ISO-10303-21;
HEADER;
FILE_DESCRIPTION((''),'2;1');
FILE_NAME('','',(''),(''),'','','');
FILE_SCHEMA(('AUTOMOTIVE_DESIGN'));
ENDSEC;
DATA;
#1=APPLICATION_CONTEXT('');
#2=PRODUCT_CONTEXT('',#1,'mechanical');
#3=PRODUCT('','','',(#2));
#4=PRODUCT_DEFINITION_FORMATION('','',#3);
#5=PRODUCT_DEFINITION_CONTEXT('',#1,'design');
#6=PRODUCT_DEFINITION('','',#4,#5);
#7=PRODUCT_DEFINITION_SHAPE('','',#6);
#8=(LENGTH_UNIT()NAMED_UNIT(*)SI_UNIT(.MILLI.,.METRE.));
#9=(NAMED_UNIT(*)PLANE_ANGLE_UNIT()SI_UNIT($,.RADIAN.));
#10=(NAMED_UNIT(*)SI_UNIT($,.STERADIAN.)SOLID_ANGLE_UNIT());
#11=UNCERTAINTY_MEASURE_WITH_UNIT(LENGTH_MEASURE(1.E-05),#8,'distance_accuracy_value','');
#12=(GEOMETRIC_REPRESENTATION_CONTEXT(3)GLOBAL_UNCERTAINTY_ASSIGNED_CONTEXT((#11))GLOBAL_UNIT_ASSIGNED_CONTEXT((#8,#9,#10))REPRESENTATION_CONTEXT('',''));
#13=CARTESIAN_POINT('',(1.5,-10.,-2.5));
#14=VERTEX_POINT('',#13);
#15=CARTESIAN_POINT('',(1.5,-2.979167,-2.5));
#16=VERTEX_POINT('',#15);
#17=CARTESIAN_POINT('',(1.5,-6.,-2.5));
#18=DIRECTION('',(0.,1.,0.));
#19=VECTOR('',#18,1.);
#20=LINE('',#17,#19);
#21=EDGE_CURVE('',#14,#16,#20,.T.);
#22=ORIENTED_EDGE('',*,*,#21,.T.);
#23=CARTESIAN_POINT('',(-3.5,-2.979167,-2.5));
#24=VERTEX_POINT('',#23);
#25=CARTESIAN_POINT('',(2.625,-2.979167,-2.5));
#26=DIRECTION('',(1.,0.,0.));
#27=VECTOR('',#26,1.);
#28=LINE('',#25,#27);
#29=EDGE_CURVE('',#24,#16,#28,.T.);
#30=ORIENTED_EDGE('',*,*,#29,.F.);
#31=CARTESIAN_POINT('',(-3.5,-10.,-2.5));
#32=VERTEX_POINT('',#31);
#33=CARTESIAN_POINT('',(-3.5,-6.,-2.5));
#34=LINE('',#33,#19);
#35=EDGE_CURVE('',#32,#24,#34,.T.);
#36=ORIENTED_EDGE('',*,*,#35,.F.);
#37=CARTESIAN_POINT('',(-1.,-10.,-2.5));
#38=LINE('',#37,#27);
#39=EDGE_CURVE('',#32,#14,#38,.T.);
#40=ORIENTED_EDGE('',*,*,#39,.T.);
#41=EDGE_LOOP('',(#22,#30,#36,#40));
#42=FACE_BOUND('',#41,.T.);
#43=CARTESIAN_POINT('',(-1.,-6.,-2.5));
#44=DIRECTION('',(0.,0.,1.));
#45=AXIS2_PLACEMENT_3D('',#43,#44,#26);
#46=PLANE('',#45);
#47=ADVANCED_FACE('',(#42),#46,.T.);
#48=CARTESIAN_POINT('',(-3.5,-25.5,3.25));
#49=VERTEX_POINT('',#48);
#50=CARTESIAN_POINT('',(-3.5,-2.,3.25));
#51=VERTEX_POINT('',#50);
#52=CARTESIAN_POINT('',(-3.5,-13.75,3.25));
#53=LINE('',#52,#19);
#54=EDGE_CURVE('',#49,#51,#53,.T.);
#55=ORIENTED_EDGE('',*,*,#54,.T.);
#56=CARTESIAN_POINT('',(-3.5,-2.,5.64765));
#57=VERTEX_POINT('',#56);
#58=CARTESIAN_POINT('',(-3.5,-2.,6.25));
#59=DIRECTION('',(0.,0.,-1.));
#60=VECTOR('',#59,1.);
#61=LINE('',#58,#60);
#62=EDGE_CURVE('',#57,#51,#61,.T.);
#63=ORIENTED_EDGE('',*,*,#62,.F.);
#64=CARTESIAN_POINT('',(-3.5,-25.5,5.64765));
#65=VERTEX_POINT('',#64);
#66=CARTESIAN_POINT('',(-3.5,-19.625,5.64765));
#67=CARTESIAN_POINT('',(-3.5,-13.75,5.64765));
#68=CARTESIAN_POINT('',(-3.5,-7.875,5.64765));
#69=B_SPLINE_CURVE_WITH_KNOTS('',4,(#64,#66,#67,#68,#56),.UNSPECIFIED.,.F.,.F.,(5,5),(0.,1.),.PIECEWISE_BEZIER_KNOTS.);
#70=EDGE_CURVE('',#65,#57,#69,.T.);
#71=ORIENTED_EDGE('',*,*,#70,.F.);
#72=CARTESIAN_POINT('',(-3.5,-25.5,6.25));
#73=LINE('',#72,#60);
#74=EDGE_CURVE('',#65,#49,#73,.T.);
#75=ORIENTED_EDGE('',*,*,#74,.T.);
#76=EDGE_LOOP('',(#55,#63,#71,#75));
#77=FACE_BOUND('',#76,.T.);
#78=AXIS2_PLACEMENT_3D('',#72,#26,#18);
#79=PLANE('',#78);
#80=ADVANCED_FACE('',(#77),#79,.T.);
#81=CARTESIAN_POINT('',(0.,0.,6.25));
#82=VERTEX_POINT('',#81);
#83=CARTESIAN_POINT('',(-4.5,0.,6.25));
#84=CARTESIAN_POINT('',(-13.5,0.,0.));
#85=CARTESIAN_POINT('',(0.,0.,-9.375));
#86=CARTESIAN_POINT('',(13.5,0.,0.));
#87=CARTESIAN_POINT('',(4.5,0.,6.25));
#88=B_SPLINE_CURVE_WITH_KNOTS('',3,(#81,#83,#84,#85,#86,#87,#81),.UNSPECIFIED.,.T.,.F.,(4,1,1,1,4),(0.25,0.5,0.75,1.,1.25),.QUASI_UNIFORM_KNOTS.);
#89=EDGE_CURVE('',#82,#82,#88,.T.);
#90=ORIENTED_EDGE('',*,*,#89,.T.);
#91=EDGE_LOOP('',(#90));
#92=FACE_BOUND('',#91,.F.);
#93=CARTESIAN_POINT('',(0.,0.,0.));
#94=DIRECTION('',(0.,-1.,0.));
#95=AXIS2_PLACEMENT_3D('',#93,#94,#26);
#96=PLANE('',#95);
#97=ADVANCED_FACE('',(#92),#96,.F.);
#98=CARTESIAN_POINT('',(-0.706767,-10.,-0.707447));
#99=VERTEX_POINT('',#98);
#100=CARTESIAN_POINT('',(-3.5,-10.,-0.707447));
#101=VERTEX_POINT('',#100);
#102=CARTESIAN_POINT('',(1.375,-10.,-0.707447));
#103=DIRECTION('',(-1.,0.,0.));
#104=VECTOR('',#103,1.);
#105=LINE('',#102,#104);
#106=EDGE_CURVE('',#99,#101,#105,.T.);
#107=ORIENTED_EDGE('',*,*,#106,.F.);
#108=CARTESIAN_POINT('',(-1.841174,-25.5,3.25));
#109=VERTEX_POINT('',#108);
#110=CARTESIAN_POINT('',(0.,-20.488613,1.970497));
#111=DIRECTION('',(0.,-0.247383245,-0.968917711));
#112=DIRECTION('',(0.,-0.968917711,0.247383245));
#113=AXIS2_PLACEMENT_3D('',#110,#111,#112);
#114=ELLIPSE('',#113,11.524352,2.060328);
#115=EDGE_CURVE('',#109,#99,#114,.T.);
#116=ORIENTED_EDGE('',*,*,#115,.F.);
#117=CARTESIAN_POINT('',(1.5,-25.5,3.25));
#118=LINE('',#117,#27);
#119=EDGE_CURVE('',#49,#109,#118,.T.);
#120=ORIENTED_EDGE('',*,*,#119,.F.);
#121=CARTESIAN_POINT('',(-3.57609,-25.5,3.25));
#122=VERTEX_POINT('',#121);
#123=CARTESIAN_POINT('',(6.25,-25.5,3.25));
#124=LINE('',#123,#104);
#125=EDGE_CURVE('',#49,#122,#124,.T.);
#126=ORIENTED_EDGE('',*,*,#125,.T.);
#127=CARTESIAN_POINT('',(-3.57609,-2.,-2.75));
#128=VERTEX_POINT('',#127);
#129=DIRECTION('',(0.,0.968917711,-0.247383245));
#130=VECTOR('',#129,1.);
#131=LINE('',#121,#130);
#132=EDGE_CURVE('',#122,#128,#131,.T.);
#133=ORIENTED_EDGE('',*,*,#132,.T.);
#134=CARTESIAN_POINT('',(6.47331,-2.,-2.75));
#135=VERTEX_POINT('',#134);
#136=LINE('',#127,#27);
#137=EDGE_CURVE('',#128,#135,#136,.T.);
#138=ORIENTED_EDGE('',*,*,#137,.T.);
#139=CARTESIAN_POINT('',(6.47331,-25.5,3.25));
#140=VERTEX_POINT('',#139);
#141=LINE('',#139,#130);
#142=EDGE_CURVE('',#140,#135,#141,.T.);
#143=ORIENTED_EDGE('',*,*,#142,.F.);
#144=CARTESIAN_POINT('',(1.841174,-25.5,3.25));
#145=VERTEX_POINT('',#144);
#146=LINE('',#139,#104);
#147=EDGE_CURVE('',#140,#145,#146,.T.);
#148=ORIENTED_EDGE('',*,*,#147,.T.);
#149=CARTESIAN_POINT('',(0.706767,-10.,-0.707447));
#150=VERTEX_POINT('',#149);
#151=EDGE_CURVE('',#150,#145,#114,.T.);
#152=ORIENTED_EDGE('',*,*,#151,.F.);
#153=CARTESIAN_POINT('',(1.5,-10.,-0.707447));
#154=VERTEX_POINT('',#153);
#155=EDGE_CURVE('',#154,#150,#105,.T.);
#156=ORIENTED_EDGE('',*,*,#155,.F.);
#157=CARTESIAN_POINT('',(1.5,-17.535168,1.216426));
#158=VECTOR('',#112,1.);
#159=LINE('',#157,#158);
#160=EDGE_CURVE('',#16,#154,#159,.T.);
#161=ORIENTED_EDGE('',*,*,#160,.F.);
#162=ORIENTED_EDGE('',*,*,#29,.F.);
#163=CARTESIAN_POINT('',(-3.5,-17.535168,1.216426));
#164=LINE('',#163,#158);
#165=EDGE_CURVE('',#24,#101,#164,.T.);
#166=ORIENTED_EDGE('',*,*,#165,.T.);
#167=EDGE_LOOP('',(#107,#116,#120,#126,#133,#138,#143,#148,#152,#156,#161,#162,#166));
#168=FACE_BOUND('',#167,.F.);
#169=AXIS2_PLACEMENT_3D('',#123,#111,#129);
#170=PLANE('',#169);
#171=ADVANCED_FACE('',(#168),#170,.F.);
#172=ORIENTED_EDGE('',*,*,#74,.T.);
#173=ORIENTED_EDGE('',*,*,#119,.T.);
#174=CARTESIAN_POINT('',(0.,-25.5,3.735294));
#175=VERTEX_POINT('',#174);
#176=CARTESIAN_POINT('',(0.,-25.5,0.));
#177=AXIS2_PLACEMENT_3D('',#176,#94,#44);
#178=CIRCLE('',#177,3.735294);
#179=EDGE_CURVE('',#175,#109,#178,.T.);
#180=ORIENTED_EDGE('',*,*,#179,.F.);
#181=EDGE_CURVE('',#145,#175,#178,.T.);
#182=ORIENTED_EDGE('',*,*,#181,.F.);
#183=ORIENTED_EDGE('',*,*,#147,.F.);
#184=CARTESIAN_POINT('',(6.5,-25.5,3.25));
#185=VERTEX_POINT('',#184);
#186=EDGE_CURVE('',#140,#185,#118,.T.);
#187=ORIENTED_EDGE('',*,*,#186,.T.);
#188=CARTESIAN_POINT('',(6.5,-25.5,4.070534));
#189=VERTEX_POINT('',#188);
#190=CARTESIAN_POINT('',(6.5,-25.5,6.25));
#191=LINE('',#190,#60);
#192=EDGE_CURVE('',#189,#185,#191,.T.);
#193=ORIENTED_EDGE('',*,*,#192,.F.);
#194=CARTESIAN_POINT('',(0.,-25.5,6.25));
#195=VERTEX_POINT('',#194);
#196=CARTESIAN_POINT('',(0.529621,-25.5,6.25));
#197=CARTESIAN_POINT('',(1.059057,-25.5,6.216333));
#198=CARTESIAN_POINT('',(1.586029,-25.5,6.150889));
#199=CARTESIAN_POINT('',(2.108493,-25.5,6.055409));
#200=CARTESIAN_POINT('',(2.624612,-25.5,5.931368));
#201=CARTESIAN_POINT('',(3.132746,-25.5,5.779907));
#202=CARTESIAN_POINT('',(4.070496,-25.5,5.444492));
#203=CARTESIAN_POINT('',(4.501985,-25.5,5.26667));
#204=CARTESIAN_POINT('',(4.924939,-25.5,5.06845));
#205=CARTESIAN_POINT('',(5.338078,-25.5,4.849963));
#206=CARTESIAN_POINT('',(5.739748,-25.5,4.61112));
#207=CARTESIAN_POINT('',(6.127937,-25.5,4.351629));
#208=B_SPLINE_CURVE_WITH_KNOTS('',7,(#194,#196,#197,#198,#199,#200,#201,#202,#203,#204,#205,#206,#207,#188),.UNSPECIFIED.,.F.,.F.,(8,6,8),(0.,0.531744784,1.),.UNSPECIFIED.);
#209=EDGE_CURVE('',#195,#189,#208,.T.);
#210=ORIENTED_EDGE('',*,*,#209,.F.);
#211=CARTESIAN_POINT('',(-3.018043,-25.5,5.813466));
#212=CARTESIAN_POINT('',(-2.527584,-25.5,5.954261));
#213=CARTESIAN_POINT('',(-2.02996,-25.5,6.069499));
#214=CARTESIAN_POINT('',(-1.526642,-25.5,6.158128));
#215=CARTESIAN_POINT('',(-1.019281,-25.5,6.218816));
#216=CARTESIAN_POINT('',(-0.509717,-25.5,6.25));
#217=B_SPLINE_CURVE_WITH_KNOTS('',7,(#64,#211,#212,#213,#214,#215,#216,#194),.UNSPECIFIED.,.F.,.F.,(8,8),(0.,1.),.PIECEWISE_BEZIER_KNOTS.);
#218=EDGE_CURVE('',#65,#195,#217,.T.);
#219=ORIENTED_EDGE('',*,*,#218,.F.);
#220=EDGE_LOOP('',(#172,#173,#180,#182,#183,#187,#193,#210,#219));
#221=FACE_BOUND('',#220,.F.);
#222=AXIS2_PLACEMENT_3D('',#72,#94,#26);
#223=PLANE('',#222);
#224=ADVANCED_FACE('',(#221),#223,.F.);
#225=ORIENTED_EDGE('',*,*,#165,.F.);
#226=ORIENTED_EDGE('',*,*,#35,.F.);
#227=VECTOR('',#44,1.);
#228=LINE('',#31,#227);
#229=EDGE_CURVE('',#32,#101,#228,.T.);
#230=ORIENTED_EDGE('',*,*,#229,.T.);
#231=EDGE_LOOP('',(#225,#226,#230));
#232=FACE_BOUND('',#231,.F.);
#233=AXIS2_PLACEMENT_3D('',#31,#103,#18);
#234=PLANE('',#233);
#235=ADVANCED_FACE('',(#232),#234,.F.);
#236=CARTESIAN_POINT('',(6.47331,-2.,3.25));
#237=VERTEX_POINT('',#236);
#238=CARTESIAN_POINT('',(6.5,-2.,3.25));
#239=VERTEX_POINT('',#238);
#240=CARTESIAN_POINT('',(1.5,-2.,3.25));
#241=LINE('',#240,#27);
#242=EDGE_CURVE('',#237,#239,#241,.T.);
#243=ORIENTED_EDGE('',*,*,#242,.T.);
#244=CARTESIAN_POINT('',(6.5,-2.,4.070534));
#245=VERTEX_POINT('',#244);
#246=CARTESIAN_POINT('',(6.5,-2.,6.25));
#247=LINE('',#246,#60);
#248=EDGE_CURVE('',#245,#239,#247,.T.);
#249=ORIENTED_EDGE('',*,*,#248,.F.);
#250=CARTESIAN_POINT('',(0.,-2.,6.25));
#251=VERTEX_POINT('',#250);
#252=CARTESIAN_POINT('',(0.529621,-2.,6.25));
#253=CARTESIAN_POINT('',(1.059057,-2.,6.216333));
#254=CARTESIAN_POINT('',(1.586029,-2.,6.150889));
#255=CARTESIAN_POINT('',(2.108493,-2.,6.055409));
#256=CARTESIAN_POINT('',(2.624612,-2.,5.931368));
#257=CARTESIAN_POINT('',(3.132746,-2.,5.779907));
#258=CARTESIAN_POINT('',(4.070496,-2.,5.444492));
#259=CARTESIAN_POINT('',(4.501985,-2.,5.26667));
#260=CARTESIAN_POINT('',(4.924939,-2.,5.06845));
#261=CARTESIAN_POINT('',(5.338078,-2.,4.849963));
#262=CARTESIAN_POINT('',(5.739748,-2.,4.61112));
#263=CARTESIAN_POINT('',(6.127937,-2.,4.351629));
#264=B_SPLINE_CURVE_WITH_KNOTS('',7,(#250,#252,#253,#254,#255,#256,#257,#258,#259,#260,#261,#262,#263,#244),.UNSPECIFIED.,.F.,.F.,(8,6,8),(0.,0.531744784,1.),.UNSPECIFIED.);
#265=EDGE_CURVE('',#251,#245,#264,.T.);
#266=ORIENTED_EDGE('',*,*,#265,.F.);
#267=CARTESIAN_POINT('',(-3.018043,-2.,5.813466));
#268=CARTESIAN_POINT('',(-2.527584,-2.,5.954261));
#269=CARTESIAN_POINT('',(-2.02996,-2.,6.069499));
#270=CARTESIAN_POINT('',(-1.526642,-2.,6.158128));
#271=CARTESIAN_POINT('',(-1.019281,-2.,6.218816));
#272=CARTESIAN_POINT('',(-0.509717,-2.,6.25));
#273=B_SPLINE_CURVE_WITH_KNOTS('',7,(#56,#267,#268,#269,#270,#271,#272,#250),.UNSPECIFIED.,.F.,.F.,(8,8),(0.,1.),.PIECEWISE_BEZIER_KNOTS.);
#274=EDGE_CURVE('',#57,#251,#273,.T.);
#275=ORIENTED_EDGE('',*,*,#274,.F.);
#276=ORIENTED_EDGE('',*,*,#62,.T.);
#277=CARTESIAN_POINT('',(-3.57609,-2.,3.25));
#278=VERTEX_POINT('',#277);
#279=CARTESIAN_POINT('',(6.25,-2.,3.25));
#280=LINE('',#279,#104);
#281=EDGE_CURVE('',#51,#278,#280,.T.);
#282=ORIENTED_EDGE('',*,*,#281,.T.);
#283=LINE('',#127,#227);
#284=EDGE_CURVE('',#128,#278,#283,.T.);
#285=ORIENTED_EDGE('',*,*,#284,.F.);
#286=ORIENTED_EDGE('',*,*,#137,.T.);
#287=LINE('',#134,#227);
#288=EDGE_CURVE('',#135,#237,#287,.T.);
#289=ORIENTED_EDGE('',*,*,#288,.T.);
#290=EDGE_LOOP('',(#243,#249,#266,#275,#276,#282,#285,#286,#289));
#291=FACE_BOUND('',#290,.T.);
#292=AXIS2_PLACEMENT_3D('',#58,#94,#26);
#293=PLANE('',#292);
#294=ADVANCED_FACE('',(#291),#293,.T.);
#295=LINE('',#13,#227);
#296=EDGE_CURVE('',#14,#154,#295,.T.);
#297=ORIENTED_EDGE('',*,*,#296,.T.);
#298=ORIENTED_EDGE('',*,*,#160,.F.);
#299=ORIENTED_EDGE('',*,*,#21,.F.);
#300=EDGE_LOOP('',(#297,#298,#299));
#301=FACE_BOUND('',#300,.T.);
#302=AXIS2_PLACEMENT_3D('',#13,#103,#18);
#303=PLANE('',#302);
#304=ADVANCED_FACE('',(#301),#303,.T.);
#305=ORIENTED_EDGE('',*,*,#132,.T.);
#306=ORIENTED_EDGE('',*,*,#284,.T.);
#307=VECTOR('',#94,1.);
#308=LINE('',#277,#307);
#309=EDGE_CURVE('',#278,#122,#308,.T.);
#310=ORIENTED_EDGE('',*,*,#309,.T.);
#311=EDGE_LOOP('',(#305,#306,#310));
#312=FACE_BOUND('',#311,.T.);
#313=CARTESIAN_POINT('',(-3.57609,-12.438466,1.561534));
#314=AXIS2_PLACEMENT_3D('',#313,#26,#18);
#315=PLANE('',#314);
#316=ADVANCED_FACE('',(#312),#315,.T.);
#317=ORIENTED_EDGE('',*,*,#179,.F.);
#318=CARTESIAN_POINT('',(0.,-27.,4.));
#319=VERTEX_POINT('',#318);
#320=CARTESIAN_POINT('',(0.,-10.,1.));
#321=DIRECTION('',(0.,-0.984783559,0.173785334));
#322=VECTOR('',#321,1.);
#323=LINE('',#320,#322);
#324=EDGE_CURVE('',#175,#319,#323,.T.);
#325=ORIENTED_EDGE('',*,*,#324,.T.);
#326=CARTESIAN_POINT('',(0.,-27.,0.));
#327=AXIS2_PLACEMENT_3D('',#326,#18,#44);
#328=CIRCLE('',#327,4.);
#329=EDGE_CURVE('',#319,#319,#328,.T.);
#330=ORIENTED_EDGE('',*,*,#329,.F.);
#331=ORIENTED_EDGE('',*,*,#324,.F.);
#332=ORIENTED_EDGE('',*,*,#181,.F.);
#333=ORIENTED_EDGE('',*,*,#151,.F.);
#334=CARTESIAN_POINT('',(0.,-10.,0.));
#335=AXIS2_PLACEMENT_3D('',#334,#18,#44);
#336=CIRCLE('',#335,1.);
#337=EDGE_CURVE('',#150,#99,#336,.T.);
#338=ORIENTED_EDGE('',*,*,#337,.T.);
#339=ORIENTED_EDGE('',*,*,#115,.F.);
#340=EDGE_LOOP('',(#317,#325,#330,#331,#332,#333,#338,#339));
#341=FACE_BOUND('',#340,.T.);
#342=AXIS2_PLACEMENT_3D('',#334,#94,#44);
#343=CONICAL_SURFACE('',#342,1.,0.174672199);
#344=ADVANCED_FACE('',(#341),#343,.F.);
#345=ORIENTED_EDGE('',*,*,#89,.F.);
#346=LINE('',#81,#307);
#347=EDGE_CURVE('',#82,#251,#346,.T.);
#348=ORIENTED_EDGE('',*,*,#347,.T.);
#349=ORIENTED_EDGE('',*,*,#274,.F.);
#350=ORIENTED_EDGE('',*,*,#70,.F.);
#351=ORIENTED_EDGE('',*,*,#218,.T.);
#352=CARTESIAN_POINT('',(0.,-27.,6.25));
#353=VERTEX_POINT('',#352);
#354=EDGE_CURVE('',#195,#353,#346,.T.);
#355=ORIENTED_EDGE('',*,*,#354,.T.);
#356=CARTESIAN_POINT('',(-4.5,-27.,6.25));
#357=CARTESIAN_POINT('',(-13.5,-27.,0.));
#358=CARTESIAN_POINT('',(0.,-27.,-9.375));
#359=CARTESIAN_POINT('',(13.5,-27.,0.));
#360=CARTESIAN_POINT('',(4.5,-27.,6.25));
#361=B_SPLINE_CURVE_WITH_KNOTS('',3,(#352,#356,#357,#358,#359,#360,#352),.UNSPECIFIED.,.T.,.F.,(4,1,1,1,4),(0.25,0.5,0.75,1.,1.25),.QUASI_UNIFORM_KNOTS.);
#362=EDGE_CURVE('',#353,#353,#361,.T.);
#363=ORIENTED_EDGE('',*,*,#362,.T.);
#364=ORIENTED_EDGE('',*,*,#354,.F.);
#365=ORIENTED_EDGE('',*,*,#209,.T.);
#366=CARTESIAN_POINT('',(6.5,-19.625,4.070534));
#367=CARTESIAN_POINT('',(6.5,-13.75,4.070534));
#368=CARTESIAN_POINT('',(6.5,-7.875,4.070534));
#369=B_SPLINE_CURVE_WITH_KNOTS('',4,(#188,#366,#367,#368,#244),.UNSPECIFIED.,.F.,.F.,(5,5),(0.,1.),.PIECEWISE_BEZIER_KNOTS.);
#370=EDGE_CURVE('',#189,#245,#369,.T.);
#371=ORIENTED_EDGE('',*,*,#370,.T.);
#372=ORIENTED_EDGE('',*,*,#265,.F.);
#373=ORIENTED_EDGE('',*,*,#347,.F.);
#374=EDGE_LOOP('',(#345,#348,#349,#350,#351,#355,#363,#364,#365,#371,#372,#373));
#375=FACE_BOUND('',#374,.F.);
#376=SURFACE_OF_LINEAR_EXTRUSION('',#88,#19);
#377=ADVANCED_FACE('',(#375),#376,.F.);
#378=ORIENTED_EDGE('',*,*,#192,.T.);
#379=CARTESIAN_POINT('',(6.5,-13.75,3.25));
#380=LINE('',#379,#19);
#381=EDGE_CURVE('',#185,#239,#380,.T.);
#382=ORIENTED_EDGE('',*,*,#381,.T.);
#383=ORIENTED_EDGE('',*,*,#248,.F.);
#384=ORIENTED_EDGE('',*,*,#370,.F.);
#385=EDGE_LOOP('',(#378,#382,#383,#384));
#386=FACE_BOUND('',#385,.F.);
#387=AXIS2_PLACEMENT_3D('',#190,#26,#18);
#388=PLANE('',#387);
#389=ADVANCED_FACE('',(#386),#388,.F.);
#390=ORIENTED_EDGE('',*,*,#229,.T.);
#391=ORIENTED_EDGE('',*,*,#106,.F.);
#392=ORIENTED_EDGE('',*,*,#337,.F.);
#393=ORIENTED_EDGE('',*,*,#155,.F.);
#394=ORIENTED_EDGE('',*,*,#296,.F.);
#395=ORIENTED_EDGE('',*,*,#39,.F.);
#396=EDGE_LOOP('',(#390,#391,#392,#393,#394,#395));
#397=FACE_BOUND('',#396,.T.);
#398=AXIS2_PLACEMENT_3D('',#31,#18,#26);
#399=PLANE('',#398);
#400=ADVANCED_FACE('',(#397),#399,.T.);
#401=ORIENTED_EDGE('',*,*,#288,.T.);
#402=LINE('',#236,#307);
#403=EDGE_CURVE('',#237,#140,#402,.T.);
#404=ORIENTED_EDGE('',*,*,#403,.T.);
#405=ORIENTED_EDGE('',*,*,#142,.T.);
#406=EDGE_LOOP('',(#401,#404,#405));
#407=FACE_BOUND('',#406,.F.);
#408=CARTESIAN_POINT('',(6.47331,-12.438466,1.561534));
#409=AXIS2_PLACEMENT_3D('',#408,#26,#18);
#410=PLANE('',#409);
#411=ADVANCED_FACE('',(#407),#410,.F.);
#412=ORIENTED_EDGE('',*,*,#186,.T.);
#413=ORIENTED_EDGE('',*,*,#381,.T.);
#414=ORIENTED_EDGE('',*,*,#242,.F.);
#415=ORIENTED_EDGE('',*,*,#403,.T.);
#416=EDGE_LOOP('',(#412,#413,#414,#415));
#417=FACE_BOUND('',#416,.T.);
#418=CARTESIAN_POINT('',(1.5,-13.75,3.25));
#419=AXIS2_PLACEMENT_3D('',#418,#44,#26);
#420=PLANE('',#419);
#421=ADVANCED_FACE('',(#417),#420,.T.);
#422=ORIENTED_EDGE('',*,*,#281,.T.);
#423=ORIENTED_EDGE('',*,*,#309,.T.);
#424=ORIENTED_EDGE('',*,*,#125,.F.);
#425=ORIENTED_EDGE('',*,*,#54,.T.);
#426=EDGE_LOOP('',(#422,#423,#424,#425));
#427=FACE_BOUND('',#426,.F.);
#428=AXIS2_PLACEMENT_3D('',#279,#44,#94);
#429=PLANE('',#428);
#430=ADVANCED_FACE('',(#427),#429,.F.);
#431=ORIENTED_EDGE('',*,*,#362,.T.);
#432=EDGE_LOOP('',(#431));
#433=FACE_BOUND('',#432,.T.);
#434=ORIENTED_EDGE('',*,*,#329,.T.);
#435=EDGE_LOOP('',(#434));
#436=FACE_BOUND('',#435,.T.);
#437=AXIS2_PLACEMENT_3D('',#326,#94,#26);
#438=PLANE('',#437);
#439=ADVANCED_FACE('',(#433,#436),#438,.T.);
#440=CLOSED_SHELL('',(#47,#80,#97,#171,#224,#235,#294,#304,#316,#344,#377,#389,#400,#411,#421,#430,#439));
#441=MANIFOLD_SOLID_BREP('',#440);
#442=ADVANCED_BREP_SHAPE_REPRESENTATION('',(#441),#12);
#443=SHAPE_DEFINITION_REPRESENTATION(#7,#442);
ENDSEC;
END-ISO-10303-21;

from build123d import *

# Parameters (mm, degrees)
F1_DEPTH       = 27
F3_W           = 10
F3_H           = 23.5
F4_DEPTH       = 3
F9_W           = 5
F9_H           = 8
F10_DEPTH      = 4
F11_DEPTH      = 4
F13_DEPTH      = 9.82609
F13_DEPTH_BACK = 0.22331


with BuildPart() as f1:
    # F0 (on Front) → F1 (new body)
    with BuildSketch(Plane.XZ):
        with BuildLine():
            add(Edge.make_bspline(
                [(-9, 0), (-9, -3.125), (-4.5, -6.25), (0, -6.25)],
                knots=[0.5, 0.5, 0.5, 0.5, 0.75, 0.75, 0.75, 0.75], degree=3))
            add(Edge.make_bspline(
                [(0, -6.25), (4.5, -6.25), (9, -3.125), (9, 0)],
                knots=[0.75, 0.75, 0.75, 0.75, 1, 1, 1, 1], degree=3))
            add(Edge.make_bspline(
                [(9, 0), (9, 3.125), (4.5, 6.25), (0, 6.25)],
                knots=[0, 0, 0, 0, 0.25, 0.25, 0.25, 0.25], degree=3))
            add(Edge.make_bspline(
                [(0, 6.25), (-4.5, 6.25), (-9, 3.125), (-9, 0)],
                knots=[0.25, 0.25, 0.25, 0.25, 0.5, 0.5, 0.5, 0.5], degree=3))
        make_face()
    extrude(amount=F1_DEPTH)

    # F3 (on offset) → F4 (cut)
    with BuildSketch(Plane.XY.offset(6.25)):
        with Locations((1.5, -13.75)):
            Rectangle(F3_W, F3_H)
    extrude(amount=-F4_DEPTH, mode=Mode.SUBTRACT)

    # F6 (on Right) → F7 (revolve, cut)
    with BuildSketch(Plane.YZ):
        Polygon((-27, 4), (-27, 0), (-10, 0), (-10, 1), align=None)
    revolve(axis=Axis((0, -18.5, 0), (0, 1, 0)), mode=Mode.SUBTRACT)

    # F9 (on offset) → F10 (cut)
    with BuildSketch(Plane.XY.offset(-2.5)):
        with Locations((-1, -6)):
            Rectangle(F9_W, F9_H)
    extrude(amount=F10_DEPTH, mode=Mode.SUBTRACT)

    # F9 (on offset) → F11 (cut)
    with BuildSketch(Plane.XY.offset(-2.5)):
        with Locations((-1, -6)):
            Rectangle(F9_W, F9_H)
    extrude(amount=F11_DEPTH, mode=Mode.SUBTRACT)

    # F12 (on offset) → F13 (cut, two sides)
    with BuildSketch(Plane.YZ.offset(6.25)) as f13_sk:
        Polygon((-2, -2.75), (-2, 3.25), (-25.5, 3.25), align=None)
    extrude(amount=-F13_DEPTH, mode=Mode.SUBTRACT)
    extrude(f13_sk.sketch, amount=F13_DEPTH_BACK, mode=Mode.SUBTRACT)


solid = f1.part
